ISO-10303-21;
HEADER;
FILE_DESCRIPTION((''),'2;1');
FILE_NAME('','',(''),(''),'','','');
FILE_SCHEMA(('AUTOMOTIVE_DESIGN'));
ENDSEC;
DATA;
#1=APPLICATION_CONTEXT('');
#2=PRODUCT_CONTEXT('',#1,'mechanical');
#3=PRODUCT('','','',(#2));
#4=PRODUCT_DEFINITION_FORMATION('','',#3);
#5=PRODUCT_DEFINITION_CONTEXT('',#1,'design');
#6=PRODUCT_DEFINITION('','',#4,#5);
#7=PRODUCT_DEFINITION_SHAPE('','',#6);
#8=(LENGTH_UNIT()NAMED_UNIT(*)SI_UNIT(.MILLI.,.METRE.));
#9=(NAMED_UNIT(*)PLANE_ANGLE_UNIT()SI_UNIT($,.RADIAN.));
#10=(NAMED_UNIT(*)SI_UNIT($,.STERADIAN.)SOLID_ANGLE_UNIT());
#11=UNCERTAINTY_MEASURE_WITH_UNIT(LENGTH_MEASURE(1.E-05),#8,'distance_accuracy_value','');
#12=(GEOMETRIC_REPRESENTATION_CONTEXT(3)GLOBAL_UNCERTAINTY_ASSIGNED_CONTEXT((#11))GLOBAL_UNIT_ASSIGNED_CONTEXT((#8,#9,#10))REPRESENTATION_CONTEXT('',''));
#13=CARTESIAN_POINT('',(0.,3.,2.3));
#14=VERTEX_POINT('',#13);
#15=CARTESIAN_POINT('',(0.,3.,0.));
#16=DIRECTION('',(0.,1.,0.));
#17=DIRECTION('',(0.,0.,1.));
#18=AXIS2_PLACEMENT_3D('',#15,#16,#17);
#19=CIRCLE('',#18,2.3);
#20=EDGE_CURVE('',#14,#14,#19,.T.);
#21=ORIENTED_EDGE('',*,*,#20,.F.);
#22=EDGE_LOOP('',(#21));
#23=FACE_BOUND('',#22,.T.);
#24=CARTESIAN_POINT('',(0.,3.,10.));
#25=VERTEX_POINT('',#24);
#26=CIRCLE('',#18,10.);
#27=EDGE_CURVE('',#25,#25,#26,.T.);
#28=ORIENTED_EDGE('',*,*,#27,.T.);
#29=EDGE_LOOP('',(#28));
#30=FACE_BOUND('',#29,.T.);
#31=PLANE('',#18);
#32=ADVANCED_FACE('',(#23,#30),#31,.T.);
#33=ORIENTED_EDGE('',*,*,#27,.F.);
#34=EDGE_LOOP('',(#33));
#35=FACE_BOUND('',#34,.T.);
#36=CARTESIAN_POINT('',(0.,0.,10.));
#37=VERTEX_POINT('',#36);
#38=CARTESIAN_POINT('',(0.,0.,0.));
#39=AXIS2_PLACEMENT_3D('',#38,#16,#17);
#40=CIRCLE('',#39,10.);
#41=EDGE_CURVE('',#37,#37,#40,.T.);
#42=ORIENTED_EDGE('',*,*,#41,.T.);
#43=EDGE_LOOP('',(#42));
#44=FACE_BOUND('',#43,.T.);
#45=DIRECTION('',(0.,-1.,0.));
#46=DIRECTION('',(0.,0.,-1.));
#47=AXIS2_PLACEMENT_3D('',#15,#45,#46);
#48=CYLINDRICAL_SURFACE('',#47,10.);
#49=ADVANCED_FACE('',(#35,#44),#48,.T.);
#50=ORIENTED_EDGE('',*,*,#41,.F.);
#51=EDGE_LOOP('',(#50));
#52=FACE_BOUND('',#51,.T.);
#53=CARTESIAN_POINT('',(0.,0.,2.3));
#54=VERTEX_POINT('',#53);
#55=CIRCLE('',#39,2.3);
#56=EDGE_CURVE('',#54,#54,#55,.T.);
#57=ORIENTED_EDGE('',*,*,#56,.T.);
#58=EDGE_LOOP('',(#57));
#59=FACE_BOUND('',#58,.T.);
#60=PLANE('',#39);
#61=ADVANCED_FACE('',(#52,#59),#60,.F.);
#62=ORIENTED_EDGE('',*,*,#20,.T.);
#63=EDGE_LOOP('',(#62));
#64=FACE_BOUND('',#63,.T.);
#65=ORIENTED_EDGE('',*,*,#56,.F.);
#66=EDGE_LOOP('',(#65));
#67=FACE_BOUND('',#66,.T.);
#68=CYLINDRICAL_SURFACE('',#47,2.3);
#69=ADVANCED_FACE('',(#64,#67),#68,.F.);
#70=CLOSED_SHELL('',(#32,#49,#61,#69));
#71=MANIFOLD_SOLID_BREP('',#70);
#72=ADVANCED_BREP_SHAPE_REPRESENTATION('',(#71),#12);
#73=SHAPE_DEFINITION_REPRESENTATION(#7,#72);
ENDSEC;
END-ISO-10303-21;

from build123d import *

# Parameters (mm, degrees)
SKETCH1_R           = 10
SKETCH1_R_2         = 2.3
BOSS_EXTRUDE1_DEPTH = 3


with BuildPart() as part:
    # Sketch1 → Boss-Extrude1 (new body)
    with BuildSketch(Plane(origin=(0, 0, 0), x_dir=(1, 0, 0), z_dir=(0, 1, 0))):
        with Locations(Location((0, 0, 0), (0, 0, 270))):
            Circle(SKETCH1_R)
        with Locations(Location((0, 0, 0), (0, 0, 270))):
            Circle(SKETCH1_R_2, mode=Mode.SUBTRACT)
    extrude(amount=BOSS_EXTRUDE1_DEPTH)


solid = part.part
